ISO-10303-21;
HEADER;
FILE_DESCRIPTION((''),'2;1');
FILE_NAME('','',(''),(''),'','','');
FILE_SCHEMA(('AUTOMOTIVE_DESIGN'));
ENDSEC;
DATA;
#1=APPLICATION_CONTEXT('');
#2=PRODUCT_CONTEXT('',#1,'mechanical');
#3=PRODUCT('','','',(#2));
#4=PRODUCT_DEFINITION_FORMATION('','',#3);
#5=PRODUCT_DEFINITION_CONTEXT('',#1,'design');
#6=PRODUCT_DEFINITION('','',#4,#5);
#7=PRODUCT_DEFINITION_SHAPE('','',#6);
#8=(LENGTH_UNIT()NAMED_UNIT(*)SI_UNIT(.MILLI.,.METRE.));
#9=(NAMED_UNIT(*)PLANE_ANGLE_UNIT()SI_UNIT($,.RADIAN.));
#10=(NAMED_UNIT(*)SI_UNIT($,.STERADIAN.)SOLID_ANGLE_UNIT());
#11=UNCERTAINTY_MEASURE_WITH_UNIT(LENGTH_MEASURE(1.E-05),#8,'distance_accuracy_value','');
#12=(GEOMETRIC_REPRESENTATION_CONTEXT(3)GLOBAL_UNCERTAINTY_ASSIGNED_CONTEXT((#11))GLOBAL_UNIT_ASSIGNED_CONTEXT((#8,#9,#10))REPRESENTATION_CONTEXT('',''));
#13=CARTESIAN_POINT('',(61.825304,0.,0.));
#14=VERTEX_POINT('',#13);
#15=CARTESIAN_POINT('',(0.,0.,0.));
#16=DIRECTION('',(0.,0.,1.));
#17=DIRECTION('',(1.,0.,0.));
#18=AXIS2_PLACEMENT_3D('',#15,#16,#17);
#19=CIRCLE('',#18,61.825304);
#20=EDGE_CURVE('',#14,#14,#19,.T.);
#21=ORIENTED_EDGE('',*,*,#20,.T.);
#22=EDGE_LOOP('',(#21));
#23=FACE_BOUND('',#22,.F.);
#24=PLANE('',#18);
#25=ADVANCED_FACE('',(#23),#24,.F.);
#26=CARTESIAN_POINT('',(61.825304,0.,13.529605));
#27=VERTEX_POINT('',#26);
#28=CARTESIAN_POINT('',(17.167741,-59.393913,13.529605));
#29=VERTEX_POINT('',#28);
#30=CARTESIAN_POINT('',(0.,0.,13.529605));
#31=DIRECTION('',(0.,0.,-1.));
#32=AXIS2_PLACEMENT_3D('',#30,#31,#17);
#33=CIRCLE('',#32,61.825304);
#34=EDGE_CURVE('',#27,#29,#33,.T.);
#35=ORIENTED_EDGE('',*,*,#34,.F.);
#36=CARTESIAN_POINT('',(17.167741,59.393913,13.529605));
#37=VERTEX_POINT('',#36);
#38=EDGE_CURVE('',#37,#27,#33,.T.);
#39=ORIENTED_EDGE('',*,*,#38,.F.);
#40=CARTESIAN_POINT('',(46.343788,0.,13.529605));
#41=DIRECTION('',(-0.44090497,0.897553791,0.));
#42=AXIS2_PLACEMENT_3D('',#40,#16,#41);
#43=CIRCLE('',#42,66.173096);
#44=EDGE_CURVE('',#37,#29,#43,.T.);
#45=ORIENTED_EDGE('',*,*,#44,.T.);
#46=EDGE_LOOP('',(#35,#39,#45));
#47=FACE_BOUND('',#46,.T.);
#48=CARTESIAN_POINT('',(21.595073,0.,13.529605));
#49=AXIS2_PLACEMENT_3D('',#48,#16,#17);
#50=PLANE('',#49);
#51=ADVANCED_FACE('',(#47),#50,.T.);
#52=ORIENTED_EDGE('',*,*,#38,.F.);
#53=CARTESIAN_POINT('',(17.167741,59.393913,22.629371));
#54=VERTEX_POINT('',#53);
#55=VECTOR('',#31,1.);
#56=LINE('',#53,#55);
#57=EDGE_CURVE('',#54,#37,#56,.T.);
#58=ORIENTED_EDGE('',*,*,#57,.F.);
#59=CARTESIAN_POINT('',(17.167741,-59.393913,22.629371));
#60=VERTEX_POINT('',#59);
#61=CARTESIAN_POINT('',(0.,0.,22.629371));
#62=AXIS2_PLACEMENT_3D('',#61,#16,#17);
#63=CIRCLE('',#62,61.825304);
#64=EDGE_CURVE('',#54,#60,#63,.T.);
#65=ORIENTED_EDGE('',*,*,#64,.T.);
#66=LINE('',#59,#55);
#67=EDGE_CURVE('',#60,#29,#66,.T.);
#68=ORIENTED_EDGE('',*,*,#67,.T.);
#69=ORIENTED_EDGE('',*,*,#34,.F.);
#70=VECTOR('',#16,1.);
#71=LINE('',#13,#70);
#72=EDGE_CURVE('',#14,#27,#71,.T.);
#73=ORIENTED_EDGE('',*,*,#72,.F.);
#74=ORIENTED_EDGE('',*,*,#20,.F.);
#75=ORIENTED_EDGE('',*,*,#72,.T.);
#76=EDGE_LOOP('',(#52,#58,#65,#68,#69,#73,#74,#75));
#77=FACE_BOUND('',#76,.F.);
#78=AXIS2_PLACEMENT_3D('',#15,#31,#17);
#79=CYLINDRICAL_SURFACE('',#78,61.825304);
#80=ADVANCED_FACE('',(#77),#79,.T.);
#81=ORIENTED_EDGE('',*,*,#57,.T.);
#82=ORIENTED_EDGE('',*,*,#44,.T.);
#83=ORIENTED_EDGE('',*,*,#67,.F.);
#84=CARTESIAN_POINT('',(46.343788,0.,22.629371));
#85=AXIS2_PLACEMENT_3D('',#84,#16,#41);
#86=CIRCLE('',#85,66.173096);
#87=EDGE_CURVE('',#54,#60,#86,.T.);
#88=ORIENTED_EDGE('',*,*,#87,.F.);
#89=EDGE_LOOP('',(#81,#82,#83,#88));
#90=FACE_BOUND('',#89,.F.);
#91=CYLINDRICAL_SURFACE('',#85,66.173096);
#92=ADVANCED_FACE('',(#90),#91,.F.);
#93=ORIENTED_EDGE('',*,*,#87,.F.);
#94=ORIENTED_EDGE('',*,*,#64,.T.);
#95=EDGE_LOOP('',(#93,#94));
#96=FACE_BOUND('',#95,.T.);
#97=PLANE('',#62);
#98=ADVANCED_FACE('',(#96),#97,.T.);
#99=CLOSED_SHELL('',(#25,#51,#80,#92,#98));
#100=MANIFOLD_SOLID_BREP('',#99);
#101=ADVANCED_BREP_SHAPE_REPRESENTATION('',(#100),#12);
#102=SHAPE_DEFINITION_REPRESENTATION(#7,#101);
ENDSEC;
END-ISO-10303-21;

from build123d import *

# Parameters (mm, degrees)
F0_R     = 61.825304
F1_DEPTH = 22.629371
F2_R     = 66.173096
F3_DEPTH = 9.099766


with BuildPart() as f1:
    # F0 (on Top) → F1 (new body)
    with BuildSketch(Plane.XY):
        Circle(F0_R)
    extrude(amount=F1_DEPTH)

    # F2 (on face) → F3 (cut)
    with BuildSketch(Plane.XY.offset(22.629371)):
        with BuildLine():
            ThreePointArc((61.825304, 0), (49.415428, 37.154861), (17.167741, 59.393913))
            ThreePointArc((17.167741, 59.393913), (-19.829308, 0), (17.167741, -59.393913))
            ThreePointArc((17.167741, -59.393913), (49.415428, -37.154861), (61.825304, 0))
        make_face()
        with Locations((46.343789, 0)):
            Circle(F2_R)
    extrude(amount=-F3_DEPTH, mode=Mode.SUBTRACT)


solid = f1.part
